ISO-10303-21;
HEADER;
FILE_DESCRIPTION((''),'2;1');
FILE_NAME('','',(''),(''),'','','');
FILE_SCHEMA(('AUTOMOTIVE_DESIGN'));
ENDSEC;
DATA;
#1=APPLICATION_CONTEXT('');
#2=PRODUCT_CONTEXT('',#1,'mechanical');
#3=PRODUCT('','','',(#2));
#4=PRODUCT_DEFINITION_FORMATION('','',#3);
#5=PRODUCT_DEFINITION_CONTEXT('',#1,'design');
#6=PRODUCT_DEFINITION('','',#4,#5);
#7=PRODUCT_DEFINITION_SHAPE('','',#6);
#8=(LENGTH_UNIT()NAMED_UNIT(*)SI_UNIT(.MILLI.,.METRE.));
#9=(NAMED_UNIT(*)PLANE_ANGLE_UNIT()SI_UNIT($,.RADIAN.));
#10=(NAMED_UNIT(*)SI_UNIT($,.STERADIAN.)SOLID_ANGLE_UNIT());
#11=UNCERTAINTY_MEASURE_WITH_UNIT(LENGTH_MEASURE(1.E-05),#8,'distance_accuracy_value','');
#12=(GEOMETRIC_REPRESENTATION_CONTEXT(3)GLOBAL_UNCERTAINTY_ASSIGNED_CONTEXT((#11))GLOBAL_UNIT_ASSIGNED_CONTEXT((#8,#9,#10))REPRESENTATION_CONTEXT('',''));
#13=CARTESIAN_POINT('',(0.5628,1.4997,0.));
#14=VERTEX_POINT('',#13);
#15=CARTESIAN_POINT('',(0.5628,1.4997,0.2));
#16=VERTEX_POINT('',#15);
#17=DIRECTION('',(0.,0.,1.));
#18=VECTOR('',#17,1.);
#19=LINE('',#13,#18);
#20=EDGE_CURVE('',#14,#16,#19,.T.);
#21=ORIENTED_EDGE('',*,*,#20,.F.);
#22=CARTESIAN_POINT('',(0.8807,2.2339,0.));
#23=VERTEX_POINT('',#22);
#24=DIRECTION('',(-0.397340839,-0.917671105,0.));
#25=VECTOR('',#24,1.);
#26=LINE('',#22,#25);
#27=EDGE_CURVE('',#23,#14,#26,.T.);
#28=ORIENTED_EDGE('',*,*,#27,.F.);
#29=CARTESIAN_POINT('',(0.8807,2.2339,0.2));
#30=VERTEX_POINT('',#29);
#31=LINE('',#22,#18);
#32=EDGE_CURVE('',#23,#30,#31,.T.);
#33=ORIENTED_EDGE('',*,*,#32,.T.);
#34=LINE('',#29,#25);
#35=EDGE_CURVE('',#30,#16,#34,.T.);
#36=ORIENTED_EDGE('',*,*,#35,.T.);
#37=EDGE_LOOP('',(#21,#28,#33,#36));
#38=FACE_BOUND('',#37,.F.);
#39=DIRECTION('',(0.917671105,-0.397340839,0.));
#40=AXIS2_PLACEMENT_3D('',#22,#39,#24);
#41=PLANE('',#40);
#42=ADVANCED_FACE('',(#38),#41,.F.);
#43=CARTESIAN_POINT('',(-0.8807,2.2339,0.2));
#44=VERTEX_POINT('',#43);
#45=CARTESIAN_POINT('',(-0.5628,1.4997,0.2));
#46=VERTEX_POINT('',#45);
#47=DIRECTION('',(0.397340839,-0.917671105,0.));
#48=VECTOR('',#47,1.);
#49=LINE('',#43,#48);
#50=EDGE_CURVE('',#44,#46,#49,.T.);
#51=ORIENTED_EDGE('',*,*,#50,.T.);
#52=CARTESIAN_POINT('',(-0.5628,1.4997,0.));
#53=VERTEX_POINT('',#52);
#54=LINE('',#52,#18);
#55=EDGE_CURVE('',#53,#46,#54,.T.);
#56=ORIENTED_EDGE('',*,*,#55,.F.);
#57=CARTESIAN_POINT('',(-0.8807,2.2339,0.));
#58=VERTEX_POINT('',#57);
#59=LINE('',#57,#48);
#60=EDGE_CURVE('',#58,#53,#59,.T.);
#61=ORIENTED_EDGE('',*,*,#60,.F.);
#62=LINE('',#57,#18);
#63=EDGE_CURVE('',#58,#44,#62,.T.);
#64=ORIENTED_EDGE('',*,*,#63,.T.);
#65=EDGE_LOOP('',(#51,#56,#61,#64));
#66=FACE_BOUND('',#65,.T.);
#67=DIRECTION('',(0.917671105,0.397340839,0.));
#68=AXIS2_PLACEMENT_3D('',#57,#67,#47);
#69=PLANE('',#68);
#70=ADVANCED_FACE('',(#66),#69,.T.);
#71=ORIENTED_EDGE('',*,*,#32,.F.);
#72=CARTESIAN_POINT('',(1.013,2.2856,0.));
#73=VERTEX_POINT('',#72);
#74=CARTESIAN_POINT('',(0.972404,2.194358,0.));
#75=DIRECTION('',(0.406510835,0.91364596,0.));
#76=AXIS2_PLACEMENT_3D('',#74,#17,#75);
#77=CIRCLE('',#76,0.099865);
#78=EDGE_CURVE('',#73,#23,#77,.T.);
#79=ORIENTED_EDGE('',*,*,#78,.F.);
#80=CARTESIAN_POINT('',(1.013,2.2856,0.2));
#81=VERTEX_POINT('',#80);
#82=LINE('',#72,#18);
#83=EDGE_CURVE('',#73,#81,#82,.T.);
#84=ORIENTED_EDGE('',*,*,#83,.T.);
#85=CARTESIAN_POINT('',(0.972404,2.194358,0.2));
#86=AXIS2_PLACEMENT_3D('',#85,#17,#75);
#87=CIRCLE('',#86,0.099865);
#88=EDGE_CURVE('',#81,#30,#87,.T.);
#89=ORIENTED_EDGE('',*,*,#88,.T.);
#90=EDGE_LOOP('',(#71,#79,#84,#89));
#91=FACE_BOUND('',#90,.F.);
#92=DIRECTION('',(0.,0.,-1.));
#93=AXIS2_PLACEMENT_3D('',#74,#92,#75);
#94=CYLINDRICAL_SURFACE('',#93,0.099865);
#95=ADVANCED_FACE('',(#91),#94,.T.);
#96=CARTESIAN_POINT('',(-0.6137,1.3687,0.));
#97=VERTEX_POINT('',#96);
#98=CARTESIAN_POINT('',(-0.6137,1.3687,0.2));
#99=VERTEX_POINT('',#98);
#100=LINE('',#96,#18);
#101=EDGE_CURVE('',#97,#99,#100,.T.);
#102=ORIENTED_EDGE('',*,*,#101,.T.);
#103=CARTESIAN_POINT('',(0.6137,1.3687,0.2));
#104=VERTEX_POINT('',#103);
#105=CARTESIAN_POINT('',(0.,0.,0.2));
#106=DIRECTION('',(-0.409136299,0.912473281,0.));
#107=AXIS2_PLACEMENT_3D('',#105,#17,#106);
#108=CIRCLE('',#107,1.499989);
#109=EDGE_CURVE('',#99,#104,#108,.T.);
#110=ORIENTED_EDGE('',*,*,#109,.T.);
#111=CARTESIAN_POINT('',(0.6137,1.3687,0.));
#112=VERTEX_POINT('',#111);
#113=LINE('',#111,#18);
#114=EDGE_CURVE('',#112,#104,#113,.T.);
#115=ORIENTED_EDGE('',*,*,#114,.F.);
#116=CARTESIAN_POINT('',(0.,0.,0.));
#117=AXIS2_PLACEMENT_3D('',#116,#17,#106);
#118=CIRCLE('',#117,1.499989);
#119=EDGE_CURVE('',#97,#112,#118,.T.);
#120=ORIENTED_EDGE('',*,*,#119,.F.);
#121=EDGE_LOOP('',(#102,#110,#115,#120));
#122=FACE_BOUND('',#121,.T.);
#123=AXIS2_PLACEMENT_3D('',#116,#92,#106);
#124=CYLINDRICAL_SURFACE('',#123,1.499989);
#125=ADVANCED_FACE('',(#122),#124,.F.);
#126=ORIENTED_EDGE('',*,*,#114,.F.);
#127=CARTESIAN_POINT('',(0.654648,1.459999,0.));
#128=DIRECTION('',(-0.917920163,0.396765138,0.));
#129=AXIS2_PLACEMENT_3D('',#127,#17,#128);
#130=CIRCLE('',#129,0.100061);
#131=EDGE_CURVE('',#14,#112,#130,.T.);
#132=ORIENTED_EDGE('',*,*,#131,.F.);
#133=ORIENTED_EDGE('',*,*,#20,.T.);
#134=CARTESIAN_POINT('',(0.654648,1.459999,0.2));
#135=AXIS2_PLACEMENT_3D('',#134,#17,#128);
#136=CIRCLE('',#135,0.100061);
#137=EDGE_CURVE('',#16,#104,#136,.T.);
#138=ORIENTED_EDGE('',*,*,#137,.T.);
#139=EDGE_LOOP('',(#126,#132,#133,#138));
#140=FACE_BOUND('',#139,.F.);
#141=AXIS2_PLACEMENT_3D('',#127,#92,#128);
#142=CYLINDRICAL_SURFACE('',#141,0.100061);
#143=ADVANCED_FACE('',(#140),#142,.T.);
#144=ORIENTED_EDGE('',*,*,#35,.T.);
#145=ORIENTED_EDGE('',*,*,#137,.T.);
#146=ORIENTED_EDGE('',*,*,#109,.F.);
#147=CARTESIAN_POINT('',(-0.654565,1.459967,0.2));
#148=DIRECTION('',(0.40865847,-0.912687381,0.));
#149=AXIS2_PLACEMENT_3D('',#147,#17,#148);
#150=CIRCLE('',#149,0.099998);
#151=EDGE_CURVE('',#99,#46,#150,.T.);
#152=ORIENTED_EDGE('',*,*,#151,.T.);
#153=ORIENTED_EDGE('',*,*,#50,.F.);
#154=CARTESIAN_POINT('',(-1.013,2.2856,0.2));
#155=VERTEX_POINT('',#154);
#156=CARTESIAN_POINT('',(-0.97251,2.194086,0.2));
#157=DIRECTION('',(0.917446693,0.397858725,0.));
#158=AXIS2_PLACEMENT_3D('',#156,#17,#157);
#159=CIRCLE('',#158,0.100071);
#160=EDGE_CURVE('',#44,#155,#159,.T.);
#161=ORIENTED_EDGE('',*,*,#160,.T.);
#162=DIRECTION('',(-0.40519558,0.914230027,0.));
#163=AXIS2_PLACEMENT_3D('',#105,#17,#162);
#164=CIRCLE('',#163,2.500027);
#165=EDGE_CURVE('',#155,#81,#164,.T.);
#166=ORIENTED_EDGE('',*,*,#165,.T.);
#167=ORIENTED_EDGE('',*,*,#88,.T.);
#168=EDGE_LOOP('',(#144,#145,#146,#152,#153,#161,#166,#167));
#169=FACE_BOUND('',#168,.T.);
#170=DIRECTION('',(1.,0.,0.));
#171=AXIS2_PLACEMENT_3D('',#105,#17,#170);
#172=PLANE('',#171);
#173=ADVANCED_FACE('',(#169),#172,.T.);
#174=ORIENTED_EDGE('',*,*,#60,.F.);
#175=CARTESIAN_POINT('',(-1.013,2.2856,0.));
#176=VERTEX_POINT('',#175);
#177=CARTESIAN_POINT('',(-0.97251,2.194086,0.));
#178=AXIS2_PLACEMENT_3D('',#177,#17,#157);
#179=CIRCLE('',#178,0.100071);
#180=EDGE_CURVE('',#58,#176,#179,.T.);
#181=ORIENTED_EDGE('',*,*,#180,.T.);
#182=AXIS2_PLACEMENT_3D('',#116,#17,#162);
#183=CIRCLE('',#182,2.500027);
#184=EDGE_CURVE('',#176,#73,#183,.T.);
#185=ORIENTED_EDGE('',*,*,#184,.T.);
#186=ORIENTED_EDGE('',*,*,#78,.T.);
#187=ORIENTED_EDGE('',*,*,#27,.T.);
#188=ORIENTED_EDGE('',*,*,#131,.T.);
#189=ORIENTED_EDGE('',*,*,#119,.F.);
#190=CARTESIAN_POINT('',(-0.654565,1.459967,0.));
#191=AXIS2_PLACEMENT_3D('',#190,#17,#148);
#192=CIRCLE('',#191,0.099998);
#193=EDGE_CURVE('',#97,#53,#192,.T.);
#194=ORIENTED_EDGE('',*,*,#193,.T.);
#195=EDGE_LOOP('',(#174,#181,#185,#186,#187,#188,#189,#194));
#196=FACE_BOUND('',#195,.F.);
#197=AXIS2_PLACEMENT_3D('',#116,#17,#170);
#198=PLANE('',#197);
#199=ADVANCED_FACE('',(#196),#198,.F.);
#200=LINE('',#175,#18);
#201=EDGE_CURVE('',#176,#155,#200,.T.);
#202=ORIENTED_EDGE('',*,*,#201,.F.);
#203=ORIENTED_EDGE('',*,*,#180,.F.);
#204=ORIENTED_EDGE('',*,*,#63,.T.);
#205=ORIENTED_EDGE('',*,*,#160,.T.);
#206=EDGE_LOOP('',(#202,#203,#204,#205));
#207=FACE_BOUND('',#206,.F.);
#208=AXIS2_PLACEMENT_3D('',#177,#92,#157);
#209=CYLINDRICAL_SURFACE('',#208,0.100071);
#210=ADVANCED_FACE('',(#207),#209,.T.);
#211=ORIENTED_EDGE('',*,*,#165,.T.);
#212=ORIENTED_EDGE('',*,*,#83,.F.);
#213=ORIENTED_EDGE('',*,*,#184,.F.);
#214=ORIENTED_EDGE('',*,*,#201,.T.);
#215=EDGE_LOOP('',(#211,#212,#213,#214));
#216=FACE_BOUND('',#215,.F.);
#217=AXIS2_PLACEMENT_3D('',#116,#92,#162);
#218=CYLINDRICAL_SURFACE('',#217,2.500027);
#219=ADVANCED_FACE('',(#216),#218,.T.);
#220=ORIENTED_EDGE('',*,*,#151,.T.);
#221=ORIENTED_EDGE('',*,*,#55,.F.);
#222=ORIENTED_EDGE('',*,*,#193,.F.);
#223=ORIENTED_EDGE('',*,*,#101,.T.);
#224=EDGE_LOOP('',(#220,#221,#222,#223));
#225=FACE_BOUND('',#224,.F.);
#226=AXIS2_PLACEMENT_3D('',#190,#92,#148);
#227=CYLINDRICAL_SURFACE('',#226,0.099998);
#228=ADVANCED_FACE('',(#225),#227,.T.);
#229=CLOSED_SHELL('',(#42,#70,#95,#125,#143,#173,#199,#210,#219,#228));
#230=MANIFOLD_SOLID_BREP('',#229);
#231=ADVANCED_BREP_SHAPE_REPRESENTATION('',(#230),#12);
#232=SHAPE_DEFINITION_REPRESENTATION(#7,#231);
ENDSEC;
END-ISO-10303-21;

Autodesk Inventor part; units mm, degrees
ref_plane "YZ Plane" through (0, 0, 0) normal (1, 0, 0) x (0, 1, 0)
ref_plane "XZ Plane" through (0, 0, 0) normal (0, 1, 0) x (-1, 0, 0)
ref_plane "XY Plane" through (0, 0, 0) normal (0, 0, 1) x (1, 0, 0)
sketch "Sketch1" plane through (0, 0, 0) normal (0, 0, 1) x (1, 0, 0)
  arc A0 (-0.6137, 1.3687) -> (0.6137, 1.3687) centre (0, 0) ccw
  arc A1 (-1.013, 2.2856) -> (1.013, 2.2856) centre (0, 0) ccw
  line L0 (-0.8807, 2.2339) -> (-0.5628, 1.4997)
  line L1 (0.8807, 2.2339) -> (0.5628, 1.4997)
  arc A2 (-0.8807, 2.2339) -> (-1.013, 2.2856) centre (-0.9724, 2.1942) ccw
  arc A3 (-0.6137, 1.3687) -> (-0.5628, 1.4997) centre (-0.6546, 1.46) ccw
  arc A4 (0.5628, 1.4997) -> (0.6137, 1.3687) centre (0.6546, 1.46) ccw
  arc A5 (1.013, 2.2856) -> (0.8807, 2.2339) centre (0.9724, 2.1942) ccw
  point P0 (-0.5223, 1.4061)
  point P1 (0.5223, 1.4061)
  point P2 (-0.9199, 2.3246)
  point P3 (0.9199, 2.3246)
  point P4 (-0.9199, 2.3246)
  dimension "d0" = 1.5
  dimension "d1" = 2.5
  dimension "d2" = 0.1
extrude "Extrusion1" add sketch "Sketch1" along normal blind 0.2
properties part number "Circlip"
